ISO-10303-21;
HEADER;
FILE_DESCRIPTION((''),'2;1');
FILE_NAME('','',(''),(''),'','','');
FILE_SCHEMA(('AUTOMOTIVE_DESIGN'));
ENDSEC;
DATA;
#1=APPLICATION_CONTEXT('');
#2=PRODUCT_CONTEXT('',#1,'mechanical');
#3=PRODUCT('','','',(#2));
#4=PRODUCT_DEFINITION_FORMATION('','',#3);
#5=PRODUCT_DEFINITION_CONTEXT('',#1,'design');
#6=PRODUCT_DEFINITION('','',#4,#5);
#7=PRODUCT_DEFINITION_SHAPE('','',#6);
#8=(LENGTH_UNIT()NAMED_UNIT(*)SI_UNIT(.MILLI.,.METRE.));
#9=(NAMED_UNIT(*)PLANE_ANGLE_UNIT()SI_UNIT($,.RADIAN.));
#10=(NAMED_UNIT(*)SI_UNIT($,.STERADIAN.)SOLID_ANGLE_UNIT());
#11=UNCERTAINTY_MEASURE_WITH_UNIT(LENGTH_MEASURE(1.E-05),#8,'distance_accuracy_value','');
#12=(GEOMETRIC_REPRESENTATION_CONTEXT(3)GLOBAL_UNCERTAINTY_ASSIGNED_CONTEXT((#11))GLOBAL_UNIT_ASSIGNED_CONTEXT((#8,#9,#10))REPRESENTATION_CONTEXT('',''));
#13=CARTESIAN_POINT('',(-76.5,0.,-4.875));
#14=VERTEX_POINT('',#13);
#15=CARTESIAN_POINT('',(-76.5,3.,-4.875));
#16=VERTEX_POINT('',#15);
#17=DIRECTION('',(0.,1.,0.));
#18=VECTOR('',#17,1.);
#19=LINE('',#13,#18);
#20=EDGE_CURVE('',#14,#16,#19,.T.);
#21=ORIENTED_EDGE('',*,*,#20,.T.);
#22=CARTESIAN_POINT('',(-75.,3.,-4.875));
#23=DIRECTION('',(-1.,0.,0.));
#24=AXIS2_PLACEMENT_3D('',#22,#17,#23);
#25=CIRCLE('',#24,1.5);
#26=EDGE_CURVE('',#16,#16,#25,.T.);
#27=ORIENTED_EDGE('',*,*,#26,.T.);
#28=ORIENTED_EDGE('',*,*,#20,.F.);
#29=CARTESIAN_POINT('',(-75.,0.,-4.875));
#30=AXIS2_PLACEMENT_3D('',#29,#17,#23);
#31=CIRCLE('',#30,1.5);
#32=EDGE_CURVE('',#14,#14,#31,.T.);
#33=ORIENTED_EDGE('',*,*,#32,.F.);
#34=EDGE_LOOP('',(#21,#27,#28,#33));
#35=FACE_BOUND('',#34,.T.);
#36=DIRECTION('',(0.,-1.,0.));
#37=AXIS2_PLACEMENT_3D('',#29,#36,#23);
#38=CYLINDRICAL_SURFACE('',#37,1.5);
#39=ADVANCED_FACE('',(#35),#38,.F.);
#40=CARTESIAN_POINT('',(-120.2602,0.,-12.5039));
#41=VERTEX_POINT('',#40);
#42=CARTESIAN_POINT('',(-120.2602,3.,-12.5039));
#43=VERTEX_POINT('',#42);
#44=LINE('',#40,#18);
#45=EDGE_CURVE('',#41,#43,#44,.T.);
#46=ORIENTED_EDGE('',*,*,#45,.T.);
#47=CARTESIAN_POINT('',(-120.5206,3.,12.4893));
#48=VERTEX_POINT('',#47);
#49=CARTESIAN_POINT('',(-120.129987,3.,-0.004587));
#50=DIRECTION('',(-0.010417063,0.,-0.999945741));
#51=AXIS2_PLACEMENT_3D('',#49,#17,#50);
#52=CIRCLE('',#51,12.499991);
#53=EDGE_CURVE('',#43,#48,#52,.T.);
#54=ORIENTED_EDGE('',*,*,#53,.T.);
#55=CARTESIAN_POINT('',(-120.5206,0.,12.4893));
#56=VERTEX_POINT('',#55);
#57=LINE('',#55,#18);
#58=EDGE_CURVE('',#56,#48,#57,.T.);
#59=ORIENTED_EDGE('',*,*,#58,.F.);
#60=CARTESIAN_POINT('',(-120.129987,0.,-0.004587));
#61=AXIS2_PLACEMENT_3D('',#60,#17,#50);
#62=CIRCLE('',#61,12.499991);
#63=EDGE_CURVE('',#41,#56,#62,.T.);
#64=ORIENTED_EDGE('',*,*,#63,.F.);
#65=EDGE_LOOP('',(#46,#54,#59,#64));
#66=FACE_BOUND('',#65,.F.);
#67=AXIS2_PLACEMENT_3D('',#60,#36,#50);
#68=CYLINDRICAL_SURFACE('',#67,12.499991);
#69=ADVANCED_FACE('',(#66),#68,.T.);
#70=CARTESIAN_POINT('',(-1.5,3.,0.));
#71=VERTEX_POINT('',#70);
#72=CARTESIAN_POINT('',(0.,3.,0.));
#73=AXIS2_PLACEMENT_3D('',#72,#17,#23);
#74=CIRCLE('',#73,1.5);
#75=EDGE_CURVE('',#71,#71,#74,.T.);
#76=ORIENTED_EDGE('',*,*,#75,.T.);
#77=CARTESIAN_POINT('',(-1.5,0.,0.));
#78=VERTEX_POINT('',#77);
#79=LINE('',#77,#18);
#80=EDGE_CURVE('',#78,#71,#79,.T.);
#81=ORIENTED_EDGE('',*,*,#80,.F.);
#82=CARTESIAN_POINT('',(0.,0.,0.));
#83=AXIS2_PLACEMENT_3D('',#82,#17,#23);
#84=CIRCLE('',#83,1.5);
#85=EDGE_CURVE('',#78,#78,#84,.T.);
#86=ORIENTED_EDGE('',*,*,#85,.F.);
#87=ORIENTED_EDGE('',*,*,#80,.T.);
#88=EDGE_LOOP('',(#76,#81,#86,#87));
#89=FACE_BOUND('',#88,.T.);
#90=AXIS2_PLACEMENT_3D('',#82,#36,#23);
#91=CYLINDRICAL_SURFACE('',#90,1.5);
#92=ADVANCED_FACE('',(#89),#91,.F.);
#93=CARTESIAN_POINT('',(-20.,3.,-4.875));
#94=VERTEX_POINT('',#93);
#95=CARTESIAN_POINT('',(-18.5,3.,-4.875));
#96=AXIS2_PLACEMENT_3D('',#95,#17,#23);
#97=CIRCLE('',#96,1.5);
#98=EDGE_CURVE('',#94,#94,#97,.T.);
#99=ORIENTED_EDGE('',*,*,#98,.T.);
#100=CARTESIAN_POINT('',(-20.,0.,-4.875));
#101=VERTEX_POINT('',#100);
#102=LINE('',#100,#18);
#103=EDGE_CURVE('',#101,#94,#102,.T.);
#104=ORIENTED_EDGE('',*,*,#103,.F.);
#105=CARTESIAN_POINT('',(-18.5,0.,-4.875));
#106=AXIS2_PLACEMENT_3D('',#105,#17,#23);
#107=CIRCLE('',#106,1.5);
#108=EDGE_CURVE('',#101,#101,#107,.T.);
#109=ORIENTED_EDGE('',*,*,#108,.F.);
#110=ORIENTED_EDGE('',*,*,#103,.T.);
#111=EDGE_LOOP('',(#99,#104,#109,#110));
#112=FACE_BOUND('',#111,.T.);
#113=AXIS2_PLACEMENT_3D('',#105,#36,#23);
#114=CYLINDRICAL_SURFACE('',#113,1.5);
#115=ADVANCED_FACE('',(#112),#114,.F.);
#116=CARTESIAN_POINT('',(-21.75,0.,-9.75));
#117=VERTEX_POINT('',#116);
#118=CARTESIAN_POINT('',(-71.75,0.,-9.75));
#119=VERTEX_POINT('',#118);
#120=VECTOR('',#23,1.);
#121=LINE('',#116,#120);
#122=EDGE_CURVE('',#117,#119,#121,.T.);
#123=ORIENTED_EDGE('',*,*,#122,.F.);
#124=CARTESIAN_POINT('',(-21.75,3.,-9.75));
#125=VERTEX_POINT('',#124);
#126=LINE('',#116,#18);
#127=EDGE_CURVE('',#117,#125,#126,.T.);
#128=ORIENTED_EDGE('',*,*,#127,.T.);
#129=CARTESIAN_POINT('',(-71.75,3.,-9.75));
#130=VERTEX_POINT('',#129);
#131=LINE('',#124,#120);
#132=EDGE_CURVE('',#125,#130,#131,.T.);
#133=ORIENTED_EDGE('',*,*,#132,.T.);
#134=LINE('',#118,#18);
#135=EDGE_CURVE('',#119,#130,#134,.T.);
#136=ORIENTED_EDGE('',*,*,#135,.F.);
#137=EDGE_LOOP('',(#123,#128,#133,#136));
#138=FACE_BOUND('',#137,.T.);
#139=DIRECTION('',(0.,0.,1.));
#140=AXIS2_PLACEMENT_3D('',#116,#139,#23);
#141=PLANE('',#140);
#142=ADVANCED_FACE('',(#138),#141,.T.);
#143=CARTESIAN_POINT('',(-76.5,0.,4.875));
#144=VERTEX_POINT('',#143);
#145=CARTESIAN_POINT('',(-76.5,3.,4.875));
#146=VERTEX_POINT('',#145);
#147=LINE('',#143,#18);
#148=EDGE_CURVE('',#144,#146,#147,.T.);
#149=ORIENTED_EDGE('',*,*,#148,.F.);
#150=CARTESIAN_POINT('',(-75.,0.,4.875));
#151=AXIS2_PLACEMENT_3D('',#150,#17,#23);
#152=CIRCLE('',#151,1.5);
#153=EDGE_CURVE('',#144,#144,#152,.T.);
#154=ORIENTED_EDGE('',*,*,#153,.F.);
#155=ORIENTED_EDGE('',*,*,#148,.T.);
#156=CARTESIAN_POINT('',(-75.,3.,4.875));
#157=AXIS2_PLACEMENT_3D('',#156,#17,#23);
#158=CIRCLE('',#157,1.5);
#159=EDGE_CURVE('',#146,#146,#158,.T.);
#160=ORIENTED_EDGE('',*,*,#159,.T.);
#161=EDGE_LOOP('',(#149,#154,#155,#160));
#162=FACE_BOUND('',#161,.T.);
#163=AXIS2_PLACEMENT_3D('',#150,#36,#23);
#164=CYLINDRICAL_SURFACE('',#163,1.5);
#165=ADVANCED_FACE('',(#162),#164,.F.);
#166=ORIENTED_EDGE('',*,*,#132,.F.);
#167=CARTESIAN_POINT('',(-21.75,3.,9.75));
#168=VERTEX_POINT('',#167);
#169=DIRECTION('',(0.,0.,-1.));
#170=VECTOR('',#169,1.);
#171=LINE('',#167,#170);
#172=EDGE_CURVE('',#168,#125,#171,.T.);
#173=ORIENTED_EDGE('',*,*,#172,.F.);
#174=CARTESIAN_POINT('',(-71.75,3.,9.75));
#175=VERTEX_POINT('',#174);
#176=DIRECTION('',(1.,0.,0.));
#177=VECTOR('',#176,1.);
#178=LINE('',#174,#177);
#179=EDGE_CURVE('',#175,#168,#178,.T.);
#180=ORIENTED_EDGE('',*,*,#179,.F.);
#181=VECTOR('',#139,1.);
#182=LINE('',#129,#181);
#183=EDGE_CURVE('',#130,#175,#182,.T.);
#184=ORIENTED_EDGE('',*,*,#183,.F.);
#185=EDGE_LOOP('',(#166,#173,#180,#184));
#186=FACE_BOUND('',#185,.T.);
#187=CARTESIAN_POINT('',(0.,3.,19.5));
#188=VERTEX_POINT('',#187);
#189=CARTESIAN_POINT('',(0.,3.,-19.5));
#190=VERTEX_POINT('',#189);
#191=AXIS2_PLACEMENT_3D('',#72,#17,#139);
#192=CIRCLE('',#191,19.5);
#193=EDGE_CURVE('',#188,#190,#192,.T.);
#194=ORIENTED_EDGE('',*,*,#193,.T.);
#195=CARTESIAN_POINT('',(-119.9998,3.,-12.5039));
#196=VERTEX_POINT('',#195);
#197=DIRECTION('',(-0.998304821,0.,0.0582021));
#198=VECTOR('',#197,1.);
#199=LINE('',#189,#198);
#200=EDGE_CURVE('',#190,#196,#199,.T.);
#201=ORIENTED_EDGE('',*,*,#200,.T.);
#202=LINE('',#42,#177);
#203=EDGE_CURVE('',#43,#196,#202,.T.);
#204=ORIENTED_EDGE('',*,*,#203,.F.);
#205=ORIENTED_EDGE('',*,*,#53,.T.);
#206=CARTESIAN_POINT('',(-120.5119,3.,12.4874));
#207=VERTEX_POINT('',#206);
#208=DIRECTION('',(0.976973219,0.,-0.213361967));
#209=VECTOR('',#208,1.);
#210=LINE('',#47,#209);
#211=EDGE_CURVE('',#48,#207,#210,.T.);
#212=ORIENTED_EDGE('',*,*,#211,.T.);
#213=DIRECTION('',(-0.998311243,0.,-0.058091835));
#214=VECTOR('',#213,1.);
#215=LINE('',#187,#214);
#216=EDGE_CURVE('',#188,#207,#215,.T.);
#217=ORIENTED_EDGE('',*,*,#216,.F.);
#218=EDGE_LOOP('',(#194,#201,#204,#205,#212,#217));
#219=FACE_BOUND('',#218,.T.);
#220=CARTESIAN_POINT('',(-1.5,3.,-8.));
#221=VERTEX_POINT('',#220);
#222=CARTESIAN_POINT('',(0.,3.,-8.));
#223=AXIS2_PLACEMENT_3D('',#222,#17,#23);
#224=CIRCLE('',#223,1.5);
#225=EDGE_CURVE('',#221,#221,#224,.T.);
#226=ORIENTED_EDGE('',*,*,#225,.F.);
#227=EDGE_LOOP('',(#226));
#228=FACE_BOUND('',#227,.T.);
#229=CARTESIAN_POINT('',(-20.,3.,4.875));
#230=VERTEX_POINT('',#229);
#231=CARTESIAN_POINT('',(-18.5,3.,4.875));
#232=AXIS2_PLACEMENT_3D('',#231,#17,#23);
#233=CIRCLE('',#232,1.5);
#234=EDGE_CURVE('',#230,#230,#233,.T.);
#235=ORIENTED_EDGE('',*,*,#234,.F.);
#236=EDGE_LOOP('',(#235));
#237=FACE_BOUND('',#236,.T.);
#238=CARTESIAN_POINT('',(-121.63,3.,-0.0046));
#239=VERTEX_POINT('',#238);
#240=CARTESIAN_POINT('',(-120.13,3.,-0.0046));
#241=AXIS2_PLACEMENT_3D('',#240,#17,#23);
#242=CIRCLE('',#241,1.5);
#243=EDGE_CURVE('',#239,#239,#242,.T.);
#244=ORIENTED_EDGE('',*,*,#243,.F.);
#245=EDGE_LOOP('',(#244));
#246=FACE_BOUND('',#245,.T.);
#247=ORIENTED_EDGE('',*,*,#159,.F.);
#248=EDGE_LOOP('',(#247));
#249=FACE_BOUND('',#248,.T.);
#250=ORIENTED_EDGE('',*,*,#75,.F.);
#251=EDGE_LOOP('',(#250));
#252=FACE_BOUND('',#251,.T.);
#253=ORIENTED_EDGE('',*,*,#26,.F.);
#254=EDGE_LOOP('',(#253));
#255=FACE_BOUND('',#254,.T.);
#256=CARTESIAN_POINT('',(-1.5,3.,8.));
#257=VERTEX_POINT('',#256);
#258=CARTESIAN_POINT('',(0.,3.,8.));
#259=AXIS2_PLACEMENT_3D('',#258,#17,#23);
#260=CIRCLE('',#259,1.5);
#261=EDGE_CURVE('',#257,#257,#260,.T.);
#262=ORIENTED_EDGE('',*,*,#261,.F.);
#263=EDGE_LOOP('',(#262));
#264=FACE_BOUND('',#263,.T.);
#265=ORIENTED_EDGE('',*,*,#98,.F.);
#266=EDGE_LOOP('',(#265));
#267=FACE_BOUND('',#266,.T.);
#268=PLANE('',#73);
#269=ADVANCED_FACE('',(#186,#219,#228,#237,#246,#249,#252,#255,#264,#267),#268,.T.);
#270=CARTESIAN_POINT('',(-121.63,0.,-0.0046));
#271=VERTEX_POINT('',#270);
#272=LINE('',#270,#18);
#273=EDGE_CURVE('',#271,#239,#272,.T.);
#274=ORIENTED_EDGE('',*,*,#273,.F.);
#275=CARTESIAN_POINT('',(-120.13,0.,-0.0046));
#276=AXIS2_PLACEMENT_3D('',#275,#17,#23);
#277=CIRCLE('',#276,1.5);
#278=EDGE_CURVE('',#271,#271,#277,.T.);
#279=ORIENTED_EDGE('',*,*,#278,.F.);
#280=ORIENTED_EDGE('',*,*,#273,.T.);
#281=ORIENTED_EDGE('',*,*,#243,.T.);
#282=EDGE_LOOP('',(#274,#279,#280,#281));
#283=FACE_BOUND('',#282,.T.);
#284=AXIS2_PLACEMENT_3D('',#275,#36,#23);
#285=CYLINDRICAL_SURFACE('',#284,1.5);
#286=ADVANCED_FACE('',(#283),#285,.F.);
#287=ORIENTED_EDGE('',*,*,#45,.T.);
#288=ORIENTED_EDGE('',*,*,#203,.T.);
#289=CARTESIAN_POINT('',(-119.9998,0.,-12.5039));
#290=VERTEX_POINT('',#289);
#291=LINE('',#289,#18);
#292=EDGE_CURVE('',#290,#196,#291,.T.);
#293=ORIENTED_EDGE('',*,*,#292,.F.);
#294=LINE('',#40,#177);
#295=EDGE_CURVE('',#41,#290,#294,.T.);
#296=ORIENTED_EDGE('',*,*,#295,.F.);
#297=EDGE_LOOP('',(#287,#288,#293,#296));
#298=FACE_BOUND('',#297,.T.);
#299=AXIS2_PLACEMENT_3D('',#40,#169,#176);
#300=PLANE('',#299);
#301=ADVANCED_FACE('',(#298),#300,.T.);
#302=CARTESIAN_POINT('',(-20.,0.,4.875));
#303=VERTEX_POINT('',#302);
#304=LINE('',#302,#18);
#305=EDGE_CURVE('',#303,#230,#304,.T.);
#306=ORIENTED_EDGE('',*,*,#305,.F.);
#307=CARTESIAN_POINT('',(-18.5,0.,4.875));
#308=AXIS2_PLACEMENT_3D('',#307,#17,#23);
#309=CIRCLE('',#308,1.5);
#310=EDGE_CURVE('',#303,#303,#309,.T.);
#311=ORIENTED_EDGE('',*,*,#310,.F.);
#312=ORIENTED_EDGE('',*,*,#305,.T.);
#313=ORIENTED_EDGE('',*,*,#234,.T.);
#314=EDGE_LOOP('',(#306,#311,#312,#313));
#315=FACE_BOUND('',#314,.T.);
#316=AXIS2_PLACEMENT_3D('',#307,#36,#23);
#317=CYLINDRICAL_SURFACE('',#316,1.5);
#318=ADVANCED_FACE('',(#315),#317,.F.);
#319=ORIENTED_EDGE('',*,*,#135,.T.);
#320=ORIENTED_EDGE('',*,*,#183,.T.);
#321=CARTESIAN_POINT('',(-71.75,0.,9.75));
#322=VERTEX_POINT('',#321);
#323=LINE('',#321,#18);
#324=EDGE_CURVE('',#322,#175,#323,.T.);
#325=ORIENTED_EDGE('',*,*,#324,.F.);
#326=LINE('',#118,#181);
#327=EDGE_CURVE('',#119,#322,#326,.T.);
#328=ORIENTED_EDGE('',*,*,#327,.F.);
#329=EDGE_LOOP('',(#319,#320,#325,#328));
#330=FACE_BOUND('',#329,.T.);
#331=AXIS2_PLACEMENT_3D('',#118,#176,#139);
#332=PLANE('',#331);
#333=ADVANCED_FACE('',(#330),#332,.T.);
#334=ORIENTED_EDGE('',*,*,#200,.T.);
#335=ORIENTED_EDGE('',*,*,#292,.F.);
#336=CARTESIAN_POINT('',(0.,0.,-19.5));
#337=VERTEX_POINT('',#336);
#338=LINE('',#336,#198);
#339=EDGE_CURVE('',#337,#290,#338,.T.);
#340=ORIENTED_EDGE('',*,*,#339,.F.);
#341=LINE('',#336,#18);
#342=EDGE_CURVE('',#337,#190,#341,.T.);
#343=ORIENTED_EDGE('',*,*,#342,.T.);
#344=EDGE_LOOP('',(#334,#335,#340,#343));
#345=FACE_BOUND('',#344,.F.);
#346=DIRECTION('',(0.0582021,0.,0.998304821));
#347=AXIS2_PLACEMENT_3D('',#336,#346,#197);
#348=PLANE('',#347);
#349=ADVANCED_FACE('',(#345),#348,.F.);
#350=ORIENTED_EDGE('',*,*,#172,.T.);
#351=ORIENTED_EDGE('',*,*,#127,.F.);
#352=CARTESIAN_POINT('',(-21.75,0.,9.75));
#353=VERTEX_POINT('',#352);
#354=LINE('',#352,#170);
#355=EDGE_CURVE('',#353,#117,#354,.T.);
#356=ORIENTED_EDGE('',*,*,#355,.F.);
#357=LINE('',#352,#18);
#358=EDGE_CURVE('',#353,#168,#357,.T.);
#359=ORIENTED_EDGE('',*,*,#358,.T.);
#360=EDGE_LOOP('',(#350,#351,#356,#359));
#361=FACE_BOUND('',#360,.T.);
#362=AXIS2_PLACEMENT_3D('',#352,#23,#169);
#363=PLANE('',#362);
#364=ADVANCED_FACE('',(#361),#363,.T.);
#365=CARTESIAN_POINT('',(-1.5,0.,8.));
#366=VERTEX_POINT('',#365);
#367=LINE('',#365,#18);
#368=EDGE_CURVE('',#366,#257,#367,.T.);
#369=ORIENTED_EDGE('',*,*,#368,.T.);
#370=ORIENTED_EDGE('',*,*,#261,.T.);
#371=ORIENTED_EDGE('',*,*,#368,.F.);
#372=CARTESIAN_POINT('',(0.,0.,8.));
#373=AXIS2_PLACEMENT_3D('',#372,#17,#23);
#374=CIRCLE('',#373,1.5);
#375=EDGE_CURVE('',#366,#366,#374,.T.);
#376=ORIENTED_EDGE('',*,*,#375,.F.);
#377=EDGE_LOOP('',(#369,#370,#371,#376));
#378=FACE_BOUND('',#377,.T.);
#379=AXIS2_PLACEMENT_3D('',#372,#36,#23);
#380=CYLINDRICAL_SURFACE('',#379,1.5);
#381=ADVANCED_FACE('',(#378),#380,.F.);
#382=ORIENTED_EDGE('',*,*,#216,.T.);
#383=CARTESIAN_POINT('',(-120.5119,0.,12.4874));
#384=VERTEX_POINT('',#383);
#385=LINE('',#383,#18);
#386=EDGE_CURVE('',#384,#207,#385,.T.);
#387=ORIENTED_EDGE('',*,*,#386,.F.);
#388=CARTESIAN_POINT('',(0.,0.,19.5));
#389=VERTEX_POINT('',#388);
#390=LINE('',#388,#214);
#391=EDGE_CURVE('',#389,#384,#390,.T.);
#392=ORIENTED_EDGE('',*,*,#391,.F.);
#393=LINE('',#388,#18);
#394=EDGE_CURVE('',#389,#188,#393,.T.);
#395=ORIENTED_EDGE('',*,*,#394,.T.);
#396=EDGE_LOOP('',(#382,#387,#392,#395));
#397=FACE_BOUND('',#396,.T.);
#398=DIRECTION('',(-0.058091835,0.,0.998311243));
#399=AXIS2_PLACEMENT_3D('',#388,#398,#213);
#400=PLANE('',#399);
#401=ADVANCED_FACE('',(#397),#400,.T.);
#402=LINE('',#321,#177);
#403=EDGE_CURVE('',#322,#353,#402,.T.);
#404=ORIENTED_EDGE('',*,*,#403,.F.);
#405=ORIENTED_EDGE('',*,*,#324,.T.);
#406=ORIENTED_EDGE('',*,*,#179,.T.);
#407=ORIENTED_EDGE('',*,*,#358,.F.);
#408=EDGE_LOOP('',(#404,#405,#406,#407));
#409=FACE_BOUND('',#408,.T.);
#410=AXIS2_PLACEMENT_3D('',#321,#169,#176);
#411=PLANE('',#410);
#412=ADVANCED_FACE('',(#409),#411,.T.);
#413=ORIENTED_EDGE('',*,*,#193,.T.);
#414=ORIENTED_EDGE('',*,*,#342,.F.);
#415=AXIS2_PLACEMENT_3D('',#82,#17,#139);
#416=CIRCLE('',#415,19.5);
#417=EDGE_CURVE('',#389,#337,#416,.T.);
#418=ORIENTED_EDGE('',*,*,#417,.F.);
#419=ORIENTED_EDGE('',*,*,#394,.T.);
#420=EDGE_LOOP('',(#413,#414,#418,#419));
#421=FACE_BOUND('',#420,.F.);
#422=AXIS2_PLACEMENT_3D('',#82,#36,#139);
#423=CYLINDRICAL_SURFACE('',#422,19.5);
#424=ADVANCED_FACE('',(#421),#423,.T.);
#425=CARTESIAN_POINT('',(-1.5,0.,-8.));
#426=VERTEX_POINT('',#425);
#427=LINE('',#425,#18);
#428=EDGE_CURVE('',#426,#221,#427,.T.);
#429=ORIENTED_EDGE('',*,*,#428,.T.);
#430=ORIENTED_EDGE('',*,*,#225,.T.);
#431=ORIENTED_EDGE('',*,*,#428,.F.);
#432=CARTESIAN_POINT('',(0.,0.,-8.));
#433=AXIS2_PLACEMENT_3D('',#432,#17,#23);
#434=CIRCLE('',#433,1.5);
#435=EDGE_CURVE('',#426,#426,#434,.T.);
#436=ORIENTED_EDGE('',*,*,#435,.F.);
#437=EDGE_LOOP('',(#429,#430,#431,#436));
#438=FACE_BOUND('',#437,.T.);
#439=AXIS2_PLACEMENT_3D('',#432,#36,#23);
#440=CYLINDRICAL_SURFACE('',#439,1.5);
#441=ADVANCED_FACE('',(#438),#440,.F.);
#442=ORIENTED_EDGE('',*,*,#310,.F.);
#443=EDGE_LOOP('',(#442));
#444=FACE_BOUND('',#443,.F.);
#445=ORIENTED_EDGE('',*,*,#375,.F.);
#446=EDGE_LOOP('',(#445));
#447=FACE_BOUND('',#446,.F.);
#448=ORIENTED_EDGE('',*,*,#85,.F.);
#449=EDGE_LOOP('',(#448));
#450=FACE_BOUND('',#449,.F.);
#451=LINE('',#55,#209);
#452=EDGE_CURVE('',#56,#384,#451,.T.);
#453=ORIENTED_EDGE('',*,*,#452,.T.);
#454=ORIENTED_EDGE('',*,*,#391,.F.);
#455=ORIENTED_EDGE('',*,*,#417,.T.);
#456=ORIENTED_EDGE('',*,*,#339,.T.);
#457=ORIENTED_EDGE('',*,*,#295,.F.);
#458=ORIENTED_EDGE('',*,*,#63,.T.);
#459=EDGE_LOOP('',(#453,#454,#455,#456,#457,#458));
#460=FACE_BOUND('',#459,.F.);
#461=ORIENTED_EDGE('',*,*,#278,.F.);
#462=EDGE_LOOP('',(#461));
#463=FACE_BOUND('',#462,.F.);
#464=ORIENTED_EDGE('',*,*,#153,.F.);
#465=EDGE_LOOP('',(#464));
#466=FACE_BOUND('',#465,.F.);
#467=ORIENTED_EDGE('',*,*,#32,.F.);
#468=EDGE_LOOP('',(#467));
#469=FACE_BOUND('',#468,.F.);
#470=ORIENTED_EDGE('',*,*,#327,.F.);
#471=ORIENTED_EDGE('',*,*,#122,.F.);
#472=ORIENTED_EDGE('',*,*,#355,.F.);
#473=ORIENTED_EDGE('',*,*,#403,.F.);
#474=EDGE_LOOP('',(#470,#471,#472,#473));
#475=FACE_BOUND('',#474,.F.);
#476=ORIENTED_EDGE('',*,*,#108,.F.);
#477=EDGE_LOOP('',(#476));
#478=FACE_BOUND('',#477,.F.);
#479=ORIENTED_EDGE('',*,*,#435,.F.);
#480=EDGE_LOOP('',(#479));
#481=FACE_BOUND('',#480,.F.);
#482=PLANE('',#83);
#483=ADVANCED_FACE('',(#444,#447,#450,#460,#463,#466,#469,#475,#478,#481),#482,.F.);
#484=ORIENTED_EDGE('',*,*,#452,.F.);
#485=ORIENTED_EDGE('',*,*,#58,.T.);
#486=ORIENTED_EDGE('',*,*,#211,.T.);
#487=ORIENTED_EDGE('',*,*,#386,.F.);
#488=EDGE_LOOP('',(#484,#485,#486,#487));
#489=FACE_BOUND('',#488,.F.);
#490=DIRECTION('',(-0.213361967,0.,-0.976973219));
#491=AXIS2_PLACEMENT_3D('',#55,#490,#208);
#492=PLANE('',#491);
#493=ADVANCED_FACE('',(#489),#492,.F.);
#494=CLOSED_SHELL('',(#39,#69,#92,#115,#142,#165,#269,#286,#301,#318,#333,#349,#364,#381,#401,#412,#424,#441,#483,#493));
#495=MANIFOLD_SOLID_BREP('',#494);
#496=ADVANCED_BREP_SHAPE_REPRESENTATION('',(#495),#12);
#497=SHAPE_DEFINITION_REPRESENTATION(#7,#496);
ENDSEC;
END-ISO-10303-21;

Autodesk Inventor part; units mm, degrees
ref_plane "YZ Plane" through (0, 0, 0) normal (1, 0, 0) x (0, 1, 0)
ref_plane "XZ Plane" through (0, 0, 0) normal (0, 1, 0) x (-1, 0, 0)
ref_plane "XY Plane" through (0, 0, 0) normal (0, 0, 1) x (1, 0, 0)
sketch "Boceto1" plane through (0, 0, 0) normal (0, 1, 0) x (-1, 0, 0)
  arc A0 (120.2602, -12.5039) -> (120.5206, 12.4893) centre (120.13, -0.0046) ccw
  line L0 (21.75, -9.75) -> (71.75, -9.75)
  line L1 (71.75, -9.75) -> (71.75, 9.75)
  line L2 (71.75, 9.75) -> (21.75, 9.75)
  line L3 (21.75, 9.75) -> (21.75, -9.75)
  circle A1 centre (75, 4.875) radius 1.5
  circle A2 centre (75, -4.875) radius 1.5
  circle A3 centre (18.5, 4.875) radius 1.5
  circle A4 centre (18.5, -4.875) radius 1.5
  line L4 (0, 19.5) -> (120.5119, 12.4874)
  line L5 (0, -19.5) -> (119.9998, -12.5039)
  arc A5 (0, 19.5) -> (0, -19.5) centre (0, 0) ccw
  circle A6 centre (120.13, -0.0046) radius 1.5
  circle A7 centre (0, 0) radius 1.5
  circle A8 centre (0, -8) radius 1.5
  circle A9 centre (0, 8) radius 1.5
  line L6 (120.2602, -12.5039) -> (119.9998, -12.5039)
  line L7 (120.5206, 12.4893) -> (120.5119, 12.4874)
  dimension "d107" = 3
  dimension "d108" = 3
  dimension "d110" = 3
  dimension "d112" = 3
extrude "Extrusión1" add sketch "Boceto1" along normal blind 3
properties part number "brazo1"
